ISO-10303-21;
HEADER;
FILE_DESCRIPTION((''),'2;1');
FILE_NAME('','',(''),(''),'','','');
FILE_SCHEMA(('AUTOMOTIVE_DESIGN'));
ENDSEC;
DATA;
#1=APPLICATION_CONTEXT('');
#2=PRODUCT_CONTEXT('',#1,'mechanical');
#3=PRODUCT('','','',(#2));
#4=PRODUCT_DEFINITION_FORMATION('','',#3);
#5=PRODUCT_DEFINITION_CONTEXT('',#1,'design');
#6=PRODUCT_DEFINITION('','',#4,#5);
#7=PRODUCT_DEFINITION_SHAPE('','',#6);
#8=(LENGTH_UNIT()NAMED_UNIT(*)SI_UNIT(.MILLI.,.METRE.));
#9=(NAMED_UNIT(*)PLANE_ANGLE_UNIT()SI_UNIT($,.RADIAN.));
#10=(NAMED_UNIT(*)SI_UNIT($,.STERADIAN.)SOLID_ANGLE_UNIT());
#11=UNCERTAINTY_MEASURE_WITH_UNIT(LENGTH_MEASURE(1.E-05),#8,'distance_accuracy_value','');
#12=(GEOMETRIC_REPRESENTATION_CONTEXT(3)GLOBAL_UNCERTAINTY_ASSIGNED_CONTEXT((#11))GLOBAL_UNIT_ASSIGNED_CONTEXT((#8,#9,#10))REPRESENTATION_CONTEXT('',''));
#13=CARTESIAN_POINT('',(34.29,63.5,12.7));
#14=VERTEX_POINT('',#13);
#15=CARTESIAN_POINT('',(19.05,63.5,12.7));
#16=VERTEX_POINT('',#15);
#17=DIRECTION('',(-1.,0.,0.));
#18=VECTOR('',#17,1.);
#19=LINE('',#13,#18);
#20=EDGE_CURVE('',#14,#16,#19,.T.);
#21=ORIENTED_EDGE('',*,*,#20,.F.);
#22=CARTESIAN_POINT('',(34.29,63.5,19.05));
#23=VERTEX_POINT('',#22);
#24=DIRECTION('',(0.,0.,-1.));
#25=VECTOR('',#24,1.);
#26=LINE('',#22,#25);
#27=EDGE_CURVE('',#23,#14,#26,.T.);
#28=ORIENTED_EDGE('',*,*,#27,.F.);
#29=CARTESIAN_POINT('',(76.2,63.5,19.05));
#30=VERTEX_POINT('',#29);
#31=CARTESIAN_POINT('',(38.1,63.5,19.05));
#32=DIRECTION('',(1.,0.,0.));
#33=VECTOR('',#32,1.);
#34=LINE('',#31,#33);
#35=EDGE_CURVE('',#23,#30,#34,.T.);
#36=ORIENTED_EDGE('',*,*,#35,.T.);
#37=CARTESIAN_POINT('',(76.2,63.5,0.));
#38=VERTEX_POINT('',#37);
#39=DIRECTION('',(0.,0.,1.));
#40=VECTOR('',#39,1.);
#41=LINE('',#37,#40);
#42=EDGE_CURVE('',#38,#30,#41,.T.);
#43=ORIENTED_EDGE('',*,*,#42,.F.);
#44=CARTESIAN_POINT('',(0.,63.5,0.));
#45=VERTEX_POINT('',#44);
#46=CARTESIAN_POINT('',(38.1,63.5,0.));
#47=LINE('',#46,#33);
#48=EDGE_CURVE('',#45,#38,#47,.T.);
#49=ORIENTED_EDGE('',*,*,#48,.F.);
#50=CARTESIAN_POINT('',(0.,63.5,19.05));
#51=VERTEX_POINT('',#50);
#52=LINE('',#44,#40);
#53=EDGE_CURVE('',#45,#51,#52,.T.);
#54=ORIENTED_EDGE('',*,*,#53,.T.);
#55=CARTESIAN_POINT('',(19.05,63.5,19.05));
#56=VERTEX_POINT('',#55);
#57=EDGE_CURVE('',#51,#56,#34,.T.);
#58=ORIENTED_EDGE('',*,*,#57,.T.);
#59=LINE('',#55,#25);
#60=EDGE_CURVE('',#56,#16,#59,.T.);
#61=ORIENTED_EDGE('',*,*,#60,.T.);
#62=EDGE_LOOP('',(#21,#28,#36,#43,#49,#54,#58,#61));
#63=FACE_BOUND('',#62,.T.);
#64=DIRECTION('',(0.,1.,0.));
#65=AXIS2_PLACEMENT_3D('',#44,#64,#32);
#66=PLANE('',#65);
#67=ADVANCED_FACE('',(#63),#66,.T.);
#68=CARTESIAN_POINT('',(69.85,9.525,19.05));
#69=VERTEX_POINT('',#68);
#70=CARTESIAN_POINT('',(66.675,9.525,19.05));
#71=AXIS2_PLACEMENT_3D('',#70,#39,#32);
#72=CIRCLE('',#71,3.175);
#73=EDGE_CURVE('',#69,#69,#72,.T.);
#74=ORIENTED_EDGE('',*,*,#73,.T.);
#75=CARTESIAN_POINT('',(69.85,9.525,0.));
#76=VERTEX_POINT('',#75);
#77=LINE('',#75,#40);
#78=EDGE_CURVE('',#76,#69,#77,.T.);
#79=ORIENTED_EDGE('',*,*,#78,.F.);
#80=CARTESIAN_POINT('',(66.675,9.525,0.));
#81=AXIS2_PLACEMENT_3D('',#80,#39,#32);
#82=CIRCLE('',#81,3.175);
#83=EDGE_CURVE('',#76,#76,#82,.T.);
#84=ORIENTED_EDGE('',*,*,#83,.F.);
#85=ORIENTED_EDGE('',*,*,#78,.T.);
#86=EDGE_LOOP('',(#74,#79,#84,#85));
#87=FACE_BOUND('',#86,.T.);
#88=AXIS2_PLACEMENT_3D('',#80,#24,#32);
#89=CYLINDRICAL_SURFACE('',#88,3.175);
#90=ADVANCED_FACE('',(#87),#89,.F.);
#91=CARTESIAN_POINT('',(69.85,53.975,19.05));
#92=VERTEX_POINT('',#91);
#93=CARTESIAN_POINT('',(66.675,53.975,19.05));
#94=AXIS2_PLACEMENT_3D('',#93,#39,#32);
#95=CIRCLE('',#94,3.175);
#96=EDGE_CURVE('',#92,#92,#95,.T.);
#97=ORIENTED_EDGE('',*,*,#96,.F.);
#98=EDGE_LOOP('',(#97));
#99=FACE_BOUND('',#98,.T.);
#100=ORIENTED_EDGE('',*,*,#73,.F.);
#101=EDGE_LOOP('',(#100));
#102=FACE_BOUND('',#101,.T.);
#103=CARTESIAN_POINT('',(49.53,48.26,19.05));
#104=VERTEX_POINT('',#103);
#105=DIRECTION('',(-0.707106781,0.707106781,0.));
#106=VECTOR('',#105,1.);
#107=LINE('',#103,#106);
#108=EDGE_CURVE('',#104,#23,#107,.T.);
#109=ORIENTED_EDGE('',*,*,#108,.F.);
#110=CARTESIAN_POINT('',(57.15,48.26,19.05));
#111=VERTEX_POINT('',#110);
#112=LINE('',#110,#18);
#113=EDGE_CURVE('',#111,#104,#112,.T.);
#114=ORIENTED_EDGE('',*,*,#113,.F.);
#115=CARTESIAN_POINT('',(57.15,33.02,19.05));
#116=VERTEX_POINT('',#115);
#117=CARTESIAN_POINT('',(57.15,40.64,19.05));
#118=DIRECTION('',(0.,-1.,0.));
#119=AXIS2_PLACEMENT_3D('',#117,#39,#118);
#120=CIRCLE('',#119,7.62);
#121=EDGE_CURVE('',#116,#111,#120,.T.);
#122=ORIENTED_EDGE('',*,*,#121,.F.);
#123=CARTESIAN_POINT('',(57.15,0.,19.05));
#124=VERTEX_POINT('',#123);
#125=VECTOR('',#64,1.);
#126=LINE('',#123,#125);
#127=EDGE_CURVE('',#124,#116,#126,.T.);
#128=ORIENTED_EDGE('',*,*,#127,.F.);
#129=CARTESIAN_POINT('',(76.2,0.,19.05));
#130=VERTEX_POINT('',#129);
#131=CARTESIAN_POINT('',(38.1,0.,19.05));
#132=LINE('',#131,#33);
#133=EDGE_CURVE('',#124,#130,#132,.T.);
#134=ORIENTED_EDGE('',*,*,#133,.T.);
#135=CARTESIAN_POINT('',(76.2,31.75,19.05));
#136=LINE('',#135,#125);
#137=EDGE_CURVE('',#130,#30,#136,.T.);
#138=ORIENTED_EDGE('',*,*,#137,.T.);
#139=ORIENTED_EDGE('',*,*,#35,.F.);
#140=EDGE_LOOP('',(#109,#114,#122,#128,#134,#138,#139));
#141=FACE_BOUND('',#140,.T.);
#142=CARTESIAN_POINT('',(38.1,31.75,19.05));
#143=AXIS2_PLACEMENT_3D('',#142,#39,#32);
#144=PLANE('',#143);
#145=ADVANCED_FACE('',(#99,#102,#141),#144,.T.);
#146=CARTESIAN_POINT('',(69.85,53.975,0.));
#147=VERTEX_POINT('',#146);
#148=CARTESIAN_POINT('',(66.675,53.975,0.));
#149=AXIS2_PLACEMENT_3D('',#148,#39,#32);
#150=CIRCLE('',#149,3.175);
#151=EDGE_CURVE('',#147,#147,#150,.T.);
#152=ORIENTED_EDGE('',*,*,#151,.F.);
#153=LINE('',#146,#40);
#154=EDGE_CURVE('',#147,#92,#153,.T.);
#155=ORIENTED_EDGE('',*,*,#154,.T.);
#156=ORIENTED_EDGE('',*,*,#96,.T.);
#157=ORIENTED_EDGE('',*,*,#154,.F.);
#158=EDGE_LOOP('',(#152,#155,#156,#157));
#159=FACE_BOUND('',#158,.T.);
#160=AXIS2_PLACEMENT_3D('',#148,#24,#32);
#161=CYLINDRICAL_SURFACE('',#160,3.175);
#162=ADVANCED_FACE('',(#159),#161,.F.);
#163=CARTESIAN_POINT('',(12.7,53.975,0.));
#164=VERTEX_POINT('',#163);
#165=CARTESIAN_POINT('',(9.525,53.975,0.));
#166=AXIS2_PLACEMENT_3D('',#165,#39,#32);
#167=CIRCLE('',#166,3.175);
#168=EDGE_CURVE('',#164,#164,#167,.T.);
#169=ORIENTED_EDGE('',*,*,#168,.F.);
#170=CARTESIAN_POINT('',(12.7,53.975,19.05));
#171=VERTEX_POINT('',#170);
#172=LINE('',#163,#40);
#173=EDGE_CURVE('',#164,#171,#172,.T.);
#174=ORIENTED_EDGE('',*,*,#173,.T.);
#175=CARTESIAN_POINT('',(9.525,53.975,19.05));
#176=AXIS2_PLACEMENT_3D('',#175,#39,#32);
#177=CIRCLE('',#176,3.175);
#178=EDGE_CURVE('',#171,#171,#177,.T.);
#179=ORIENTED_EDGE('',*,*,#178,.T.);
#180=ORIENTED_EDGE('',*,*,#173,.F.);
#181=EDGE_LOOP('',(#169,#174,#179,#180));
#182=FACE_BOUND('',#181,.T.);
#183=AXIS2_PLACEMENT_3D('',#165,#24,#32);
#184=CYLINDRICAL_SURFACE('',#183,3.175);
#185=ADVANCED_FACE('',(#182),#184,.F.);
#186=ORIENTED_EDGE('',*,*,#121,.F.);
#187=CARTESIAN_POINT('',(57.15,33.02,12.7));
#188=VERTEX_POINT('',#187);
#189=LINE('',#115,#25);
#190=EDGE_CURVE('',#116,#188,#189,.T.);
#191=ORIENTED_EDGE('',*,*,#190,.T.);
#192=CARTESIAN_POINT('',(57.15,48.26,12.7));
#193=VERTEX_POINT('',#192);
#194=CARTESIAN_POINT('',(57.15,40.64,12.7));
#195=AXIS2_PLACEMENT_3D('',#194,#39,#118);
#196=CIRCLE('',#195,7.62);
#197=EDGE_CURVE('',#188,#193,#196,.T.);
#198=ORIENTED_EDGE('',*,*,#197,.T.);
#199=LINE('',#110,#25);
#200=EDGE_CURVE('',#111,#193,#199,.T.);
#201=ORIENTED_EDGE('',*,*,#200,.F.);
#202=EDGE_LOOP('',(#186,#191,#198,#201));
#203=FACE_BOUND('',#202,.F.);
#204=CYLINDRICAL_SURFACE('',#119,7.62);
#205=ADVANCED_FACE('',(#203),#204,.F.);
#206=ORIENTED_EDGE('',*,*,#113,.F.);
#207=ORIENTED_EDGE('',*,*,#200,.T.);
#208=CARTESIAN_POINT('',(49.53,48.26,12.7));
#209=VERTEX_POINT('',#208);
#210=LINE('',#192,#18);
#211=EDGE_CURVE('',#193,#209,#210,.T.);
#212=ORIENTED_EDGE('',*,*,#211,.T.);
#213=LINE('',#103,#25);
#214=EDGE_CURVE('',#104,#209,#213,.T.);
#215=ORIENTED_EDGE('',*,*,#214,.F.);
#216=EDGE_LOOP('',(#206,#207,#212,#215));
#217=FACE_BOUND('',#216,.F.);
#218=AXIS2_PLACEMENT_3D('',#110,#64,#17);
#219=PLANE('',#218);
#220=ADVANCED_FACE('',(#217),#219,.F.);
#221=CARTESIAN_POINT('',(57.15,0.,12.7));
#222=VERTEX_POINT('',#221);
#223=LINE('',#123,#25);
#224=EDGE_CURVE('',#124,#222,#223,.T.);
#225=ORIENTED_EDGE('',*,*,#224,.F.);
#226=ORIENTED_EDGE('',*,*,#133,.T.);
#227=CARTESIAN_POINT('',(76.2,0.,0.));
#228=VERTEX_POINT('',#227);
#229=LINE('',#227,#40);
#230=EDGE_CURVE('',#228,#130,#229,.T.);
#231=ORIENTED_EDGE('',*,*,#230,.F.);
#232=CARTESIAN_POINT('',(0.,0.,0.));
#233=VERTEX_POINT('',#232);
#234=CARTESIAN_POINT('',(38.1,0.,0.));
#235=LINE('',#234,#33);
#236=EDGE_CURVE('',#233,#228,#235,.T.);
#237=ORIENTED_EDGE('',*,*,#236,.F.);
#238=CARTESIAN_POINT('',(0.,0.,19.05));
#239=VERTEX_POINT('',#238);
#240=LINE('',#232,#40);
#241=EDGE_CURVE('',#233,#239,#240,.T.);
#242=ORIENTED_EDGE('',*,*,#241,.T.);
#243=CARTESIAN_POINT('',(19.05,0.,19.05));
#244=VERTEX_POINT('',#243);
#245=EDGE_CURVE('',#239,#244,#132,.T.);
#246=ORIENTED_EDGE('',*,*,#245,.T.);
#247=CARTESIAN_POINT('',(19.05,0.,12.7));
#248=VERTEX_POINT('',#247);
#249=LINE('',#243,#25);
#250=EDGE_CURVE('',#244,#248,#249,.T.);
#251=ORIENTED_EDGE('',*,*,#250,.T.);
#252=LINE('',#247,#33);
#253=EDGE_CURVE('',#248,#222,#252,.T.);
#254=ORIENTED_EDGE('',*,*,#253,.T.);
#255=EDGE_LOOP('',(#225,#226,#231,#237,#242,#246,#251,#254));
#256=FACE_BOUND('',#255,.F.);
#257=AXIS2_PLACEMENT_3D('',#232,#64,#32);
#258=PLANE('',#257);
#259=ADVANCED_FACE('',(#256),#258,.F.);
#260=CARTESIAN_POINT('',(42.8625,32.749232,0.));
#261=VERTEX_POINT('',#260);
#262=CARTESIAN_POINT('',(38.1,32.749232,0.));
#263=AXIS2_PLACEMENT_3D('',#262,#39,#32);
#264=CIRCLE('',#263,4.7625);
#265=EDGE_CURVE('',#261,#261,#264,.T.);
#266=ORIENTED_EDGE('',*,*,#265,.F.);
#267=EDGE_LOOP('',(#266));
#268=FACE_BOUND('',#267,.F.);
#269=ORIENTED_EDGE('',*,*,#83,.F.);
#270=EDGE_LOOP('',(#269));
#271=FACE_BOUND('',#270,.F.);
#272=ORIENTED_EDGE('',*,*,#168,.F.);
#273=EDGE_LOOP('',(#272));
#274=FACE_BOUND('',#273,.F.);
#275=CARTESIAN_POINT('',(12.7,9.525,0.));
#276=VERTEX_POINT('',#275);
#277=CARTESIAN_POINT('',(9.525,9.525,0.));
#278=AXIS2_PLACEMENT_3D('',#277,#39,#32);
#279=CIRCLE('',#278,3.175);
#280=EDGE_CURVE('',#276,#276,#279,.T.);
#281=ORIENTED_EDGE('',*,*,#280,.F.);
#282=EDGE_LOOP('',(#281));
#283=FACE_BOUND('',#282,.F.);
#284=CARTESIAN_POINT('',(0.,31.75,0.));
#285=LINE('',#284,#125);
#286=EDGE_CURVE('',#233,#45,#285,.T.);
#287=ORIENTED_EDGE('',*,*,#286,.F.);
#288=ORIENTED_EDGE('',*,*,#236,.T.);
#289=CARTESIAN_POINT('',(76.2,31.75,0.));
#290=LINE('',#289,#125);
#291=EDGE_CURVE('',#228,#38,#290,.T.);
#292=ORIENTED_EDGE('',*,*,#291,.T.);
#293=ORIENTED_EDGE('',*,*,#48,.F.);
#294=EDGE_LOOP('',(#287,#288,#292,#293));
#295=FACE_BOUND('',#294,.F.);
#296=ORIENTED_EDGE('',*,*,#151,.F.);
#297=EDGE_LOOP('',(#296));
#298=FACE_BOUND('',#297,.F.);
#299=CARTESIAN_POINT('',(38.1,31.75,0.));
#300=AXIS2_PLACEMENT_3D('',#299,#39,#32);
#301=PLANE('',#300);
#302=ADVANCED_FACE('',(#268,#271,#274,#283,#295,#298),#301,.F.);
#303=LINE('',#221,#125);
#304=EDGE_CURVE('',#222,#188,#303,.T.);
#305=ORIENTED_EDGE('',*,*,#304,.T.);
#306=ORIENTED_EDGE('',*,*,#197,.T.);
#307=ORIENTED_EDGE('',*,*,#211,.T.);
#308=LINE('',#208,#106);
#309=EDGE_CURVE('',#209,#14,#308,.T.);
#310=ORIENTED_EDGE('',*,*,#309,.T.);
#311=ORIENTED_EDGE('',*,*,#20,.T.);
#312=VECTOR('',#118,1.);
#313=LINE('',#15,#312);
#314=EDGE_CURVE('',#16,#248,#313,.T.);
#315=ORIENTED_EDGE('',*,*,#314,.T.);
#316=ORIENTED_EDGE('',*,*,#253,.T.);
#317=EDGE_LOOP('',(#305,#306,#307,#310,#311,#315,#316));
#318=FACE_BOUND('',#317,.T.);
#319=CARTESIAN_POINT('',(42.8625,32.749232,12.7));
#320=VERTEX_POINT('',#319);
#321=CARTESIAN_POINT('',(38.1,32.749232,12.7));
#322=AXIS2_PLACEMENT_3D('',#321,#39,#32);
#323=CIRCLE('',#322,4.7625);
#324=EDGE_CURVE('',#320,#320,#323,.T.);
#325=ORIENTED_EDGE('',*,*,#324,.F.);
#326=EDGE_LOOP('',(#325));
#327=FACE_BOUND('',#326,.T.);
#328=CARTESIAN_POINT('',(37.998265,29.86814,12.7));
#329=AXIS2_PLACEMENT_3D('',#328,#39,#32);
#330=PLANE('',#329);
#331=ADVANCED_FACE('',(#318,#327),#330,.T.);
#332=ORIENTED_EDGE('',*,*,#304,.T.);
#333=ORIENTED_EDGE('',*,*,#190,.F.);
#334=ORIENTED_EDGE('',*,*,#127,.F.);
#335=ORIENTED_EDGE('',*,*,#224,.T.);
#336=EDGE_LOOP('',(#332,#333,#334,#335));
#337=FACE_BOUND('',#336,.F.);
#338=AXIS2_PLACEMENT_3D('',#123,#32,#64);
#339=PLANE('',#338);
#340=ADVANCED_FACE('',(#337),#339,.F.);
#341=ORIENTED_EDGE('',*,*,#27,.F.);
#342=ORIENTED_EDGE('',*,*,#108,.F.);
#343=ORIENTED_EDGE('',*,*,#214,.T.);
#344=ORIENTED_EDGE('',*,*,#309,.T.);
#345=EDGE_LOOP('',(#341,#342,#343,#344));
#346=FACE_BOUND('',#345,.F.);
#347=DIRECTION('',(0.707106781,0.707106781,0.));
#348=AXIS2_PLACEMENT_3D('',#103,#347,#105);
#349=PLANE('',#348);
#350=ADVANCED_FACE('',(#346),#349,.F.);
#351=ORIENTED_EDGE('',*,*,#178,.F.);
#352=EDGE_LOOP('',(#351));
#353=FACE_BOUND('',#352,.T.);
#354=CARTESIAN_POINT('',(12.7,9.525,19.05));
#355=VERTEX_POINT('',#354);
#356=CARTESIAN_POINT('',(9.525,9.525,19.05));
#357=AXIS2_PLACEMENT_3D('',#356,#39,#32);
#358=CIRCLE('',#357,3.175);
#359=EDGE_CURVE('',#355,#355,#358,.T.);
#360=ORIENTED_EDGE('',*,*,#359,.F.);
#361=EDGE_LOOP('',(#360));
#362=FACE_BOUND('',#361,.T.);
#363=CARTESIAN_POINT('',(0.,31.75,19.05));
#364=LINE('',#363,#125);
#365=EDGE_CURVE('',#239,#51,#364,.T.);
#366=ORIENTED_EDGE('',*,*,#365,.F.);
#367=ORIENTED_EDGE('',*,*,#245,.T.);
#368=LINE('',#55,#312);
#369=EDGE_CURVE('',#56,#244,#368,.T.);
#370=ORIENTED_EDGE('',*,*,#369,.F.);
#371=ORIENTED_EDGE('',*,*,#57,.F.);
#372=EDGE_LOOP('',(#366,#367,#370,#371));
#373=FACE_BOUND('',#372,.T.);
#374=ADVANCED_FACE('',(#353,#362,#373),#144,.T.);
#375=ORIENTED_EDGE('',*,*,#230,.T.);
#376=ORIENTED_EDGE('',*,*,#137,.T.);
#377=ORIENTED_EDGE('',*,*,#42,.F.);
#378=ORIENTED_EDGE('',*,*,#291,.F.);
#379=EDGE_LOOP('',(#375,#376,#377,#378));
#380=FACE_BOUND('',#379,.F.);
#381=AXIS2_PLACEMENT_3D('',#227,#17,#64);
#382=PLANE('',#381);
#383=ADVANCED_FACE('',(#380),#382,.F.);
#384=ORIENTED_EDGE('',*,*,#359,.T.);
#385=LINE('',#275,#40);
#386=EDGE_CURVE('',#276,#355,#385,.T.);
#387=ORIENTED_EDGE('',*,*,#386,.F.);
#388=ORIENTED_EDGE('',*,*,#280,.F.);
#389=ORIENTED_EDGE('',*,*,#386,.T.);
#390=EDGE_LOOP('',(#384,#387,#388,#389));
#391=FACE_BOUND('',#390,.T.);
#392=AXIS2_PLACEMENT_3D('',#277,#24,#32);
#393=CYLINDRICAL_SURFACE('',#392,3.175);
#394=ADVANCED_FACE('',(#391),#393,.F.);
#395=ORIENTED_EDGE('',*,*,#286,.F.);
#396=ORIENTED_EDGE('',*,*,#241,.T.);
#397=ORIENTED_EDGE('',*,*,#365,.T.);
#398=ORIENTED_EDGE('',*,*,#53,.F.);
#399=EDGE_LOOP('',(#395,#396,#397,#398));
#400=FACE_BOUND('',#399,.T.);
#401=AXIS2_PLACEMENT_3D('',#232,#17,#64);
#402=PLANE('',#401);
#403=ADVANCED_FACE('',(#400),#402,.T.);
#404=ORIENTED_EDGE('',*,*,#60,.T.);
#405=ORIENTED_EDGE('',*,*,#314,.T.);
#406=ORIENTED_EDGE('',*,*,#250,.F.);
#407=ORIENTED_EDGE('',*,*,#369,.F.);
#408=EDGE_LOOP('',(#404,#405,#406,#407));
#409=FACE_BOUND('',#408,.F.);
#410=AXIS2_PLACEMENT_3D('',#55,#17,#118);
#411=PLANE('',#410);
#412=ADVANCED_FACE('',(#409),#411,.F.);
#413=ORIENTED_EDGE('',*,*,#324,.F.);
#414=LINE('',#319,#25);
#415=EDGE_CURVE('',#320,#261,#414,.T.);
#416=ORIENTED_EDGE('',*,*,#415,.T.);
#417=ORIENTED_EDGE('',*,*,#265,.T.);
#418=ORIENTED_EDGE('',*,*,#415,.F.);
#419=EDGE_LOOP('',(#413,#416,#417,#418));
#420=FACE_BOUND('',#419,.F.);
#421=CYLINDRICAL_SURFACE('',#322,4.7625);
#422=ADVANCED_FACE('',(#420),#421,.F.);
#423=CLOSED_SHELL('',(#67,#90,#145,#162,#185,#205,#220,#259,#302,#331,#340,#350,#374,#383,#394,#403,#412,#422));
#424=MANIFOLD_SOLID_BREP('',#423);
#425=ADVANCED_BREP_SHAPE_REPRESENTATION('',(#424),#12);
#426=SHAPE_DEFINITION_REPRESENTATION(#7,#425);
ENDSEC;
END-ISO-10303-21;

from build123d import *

# Parameters (mm, degrees)
F0_W     = 76.2
F0_H     = 63.5
F0_R     = 3.175
F1_DEPTH = 19.05
F2_R     = 4.7625
F3_DEPTH = 6.35
F4_R     = 4.7625
F5_DEPTH = 12.701


with BuildPart() as f1:
    # F0 (on Top) → F1 (new body)
    with BuildSketch(Plane.XY):
        with Locations((38.1, 31.75)):
            Rectangle(F0_W, F0_H)
        with Locations((9.525, 9.525)):
            Circle(F0_R, mode=Mode.SUBTRACT)
        with Locations((66.675, 9.525)):
            Circle(F0_R, mode=Mode.SUBTRACT)
        with Locations((9.525, 53.975)):
            Circle(F0_R, mode=Mode.SUBTRACT)
        with Locations((66.675, 53.975)):
            Circle(F0_R, mode=Mode.SUBTRACT)
    extrude(amount=F1_DEPTH)

    # F2 (on face) → F3 (cut)
    with BuildSketch(Plane.XY.offset(19.05)):
        with BuildLine():
            Line((19.05, 63.5), (19.05, 0))
            Line((19.05, 0), (57.15, 0))
            Line((57.15, 0), (57.15, 33.02))
            ThreePointArc((57.15, 33.02), (64.77, 40.64), (57.15, 48.26))
            Line((57.15, 48.26), (49.53, 48.26))
            Line((49.53, 48.26), (34.29, 63.5))
            Line((34.29, 63.5), (19.05, 63.5))
        make_face()
        with Locations((38.1, 32.749232)):
            Circle(F2_R, mode=Mode.SUBTRACT)
        with Locations((38.1, 32.749232)):
            Circle(F2_R)
    extrude(amount=-F3_DEPTH, mode=Mode.SUBTRACT)

    # F4 (on face) → F5 (cut, through all)
    with BuildSketch(Plane.XY.offset(12.7)):
        with Locations((38.1, 32.749232)):
            Circle(F4_R)
    extrude(amount=-F5_DEPTH, mode=Mode.SUBTRACT)


solid = f1.part
